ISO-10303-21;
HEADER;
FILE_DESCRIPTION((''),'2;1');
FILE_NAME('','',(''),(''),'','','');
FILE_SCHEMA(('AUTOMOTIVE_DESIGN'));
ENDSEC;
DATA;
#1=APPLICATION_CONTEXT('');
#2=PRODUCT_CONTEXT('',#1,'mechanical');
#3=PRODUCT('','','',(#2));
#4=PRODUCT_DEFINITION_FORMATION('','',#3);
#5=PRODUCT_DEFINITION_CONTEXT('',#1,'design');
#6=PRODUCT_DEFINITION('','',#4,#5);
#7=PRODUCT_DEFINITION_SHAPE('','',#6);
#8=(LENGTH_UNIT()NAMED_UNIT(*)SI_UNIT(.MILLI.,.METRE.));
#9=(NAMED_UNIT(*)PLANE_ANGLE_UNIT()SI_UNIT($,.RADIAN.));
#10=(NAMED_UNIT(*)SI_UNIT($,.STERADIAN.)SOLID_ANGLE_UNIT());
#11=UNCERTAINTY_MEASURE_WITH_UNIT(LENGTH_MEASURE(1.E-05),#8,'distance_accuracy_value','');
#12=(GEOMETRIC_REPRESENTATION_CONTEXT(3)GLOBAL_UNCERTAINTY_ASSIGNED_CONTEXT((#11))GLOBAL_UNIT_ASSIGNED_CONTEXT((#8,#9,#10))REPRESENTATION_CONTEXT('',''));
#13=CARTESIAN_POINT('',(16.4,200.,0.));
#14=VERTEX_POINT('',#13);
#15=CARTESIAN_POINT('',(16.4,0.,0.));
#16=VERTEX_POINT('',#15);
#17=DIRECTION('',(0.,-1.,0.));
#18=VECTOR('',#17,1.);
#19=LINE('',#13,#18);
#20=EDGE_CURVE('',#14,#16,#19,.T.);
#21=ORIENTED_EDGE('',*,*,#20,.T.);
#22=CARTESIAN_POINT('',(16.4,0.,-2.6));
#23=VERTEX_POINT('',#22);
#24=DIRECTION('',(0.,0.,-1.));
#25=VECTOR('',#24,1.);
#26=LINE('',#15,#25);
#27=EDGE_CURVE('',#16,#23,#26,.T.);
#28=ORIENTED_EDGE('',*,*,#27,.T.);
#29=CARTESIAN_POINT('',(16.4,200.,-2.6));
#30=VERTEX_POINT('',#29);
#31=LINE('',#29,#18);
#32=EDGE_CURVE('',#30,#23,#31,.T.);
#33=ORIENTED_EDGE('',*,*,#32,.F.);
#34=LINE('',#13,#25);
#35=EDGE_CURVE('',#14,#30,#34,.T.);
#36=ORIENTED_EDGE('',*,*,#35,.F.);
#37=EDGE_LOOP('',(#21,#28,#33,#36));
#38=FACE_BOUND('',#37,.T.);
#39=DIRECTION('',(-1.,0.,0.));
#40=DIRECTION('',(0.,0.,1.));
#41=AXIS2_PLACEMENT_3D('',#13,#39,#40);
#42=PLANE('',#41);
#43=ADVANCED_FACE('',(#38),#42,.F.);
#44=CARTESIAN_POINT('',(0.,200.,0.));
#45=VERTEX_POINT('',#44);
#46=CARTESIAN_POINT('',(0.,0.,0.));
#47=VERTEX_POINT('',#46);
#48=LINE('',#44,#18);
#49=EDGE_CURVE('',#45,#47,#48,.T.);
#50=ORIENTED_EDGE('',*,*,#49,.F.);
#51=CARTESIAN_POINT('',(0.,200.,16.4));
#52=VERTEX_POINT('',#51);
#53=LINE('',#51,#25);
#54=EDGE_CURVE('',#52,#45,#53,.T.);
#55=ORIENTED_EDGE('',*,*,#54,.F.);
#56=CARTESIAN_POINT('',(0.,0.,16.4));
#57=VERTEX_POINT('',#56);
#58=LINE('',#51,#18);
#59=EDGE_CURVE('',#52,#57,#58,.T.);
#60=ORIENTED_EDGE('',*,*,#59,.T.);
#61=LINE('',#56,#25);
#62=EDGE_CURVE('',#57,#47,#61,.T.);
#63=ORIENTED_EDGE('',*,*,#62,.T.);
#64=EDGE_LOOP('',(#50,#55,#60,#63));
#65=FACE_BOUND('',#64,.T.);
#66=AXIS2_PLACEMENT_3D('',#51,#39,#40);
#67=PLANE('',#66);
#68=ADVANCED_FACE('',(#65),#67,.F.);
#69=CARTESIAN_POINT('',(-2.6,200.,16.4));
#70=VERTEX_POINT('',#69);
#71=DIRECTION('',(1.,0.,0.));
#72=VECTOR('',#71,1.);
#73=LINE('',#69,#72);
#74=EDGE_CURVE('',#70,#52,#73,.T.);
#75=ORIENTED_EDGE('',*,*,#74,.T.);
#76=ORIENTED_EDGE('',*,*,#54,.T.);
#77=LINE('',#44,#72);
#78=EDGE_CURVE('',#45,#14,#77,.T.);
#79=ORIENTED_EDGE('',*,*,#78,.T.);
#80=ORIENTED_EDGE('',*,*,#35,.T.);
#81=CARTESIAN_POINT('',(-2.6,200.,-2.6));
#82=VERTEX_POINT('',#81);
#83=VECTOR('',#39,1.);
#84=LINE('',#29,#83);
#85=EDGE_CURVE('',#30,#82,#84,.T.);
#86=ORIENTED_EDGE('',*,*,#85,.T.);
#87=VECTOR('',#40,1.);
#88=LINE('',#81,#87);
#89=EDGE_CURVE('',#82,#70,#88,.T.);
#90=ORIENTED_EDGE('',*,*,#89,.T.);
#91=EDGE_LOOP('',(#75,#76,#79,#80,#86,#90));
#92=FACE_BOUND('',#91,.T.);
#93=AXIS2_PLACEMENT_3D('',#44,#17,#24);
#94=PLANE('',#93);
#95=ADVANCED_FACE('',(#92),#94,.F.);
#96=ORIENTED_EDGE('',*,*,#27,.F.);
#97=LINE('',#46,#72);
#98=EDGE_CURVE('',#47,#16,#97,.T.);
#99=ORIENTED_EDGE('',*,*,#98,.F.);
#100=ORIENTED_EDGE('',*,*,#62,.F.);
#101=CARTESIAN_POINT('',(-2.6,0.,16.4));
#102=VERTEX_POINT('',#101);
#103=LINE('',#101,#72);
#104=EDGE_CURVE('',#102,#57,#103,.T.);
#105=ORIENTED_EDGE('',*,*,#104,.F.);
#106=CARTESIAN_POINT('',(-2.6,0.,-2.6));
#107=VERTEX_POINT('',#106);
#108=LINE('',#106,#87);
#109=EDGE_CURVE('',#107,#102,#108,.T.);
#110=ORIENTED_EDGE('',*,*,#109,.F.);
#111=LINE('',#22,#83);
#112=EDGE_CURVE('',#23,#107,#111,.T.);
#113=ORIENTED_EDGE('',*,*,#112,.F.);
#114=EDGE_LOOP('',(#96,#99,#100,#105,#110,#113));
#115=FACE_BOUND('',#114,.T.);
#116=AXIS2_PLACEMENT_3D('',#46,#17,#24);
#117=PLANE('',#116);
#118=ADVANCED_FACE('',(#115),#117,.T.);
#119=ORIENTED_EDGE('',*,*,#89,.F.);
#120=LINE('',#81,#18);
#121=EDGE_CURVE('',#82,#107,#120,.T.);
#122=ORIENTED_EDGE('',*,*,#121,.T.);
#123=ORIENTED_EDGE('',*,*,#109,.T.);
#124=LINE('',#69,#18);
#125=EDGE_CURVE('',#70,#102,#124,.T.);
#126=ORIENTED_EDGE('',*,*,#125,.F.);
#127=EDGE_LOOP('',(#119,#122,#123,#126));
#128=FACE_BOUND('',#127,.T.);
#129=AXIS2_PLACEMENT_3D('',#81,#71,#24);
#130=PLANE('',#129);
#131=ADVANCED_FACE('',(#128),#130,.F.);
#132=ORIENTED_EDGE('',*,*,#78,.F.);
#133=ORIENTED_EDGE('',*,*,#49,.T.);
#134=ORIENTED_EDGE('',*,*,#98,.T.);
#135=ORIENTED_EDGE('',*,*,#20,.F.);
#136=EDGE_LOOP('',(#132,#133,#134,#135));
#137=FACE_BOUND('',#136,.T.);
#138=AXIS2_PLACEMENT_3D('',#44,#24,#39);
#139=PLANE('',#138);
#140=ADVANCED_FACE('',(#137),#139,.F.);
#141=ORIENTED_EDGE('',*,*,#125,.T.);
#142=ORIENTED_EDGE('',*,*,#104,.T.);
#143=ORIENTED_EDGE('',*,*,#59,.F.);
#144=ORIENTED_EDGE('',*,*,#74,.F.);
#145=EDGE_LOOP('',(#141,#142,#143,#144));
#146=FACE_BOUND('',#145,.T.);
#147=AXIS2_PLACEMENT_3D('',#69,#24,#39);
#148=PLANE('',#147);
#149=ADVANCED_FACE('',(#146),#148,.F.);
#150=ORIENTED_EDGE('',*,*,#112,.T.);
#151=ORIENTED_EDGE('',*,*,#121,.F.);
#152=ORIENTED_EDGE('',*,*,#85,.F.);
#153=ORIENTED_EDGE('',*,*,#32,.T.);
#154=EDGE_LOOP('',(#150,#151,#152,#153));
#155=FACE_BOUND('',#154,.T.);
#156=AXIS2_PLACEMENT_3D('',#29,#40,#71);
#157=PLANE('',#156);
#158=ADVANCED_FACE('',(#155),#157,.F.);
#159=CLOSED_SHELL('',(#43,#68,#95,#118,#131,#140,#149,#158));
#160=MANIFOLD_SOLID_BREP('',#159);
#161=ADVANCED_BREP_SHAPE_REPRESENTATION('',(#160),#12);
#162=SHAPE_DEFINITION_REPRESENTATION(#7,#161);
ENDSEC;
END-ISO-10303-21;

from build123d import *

# Parameters (mm, degrees)
BOSS_EXTRUDE1_DEPTH = 200


with BuildPart() as part:
    # Sketch1 → Boss-Extrude1 (new body)
    with BuildSketch(Plane(origin=(0, 0, 0), x_dir=(1, 0, 0), z_dir=(0, 1, 0))):
        Polygon((0, 0), (16.4, 0), (16.4, 2.6), (-2.6, 2.6), (-2.6, -16.4), (0, -16.4), align=None)
    extrude(amount=BOSS_EXTRUDE1_DEPTH)


solid = part.part
